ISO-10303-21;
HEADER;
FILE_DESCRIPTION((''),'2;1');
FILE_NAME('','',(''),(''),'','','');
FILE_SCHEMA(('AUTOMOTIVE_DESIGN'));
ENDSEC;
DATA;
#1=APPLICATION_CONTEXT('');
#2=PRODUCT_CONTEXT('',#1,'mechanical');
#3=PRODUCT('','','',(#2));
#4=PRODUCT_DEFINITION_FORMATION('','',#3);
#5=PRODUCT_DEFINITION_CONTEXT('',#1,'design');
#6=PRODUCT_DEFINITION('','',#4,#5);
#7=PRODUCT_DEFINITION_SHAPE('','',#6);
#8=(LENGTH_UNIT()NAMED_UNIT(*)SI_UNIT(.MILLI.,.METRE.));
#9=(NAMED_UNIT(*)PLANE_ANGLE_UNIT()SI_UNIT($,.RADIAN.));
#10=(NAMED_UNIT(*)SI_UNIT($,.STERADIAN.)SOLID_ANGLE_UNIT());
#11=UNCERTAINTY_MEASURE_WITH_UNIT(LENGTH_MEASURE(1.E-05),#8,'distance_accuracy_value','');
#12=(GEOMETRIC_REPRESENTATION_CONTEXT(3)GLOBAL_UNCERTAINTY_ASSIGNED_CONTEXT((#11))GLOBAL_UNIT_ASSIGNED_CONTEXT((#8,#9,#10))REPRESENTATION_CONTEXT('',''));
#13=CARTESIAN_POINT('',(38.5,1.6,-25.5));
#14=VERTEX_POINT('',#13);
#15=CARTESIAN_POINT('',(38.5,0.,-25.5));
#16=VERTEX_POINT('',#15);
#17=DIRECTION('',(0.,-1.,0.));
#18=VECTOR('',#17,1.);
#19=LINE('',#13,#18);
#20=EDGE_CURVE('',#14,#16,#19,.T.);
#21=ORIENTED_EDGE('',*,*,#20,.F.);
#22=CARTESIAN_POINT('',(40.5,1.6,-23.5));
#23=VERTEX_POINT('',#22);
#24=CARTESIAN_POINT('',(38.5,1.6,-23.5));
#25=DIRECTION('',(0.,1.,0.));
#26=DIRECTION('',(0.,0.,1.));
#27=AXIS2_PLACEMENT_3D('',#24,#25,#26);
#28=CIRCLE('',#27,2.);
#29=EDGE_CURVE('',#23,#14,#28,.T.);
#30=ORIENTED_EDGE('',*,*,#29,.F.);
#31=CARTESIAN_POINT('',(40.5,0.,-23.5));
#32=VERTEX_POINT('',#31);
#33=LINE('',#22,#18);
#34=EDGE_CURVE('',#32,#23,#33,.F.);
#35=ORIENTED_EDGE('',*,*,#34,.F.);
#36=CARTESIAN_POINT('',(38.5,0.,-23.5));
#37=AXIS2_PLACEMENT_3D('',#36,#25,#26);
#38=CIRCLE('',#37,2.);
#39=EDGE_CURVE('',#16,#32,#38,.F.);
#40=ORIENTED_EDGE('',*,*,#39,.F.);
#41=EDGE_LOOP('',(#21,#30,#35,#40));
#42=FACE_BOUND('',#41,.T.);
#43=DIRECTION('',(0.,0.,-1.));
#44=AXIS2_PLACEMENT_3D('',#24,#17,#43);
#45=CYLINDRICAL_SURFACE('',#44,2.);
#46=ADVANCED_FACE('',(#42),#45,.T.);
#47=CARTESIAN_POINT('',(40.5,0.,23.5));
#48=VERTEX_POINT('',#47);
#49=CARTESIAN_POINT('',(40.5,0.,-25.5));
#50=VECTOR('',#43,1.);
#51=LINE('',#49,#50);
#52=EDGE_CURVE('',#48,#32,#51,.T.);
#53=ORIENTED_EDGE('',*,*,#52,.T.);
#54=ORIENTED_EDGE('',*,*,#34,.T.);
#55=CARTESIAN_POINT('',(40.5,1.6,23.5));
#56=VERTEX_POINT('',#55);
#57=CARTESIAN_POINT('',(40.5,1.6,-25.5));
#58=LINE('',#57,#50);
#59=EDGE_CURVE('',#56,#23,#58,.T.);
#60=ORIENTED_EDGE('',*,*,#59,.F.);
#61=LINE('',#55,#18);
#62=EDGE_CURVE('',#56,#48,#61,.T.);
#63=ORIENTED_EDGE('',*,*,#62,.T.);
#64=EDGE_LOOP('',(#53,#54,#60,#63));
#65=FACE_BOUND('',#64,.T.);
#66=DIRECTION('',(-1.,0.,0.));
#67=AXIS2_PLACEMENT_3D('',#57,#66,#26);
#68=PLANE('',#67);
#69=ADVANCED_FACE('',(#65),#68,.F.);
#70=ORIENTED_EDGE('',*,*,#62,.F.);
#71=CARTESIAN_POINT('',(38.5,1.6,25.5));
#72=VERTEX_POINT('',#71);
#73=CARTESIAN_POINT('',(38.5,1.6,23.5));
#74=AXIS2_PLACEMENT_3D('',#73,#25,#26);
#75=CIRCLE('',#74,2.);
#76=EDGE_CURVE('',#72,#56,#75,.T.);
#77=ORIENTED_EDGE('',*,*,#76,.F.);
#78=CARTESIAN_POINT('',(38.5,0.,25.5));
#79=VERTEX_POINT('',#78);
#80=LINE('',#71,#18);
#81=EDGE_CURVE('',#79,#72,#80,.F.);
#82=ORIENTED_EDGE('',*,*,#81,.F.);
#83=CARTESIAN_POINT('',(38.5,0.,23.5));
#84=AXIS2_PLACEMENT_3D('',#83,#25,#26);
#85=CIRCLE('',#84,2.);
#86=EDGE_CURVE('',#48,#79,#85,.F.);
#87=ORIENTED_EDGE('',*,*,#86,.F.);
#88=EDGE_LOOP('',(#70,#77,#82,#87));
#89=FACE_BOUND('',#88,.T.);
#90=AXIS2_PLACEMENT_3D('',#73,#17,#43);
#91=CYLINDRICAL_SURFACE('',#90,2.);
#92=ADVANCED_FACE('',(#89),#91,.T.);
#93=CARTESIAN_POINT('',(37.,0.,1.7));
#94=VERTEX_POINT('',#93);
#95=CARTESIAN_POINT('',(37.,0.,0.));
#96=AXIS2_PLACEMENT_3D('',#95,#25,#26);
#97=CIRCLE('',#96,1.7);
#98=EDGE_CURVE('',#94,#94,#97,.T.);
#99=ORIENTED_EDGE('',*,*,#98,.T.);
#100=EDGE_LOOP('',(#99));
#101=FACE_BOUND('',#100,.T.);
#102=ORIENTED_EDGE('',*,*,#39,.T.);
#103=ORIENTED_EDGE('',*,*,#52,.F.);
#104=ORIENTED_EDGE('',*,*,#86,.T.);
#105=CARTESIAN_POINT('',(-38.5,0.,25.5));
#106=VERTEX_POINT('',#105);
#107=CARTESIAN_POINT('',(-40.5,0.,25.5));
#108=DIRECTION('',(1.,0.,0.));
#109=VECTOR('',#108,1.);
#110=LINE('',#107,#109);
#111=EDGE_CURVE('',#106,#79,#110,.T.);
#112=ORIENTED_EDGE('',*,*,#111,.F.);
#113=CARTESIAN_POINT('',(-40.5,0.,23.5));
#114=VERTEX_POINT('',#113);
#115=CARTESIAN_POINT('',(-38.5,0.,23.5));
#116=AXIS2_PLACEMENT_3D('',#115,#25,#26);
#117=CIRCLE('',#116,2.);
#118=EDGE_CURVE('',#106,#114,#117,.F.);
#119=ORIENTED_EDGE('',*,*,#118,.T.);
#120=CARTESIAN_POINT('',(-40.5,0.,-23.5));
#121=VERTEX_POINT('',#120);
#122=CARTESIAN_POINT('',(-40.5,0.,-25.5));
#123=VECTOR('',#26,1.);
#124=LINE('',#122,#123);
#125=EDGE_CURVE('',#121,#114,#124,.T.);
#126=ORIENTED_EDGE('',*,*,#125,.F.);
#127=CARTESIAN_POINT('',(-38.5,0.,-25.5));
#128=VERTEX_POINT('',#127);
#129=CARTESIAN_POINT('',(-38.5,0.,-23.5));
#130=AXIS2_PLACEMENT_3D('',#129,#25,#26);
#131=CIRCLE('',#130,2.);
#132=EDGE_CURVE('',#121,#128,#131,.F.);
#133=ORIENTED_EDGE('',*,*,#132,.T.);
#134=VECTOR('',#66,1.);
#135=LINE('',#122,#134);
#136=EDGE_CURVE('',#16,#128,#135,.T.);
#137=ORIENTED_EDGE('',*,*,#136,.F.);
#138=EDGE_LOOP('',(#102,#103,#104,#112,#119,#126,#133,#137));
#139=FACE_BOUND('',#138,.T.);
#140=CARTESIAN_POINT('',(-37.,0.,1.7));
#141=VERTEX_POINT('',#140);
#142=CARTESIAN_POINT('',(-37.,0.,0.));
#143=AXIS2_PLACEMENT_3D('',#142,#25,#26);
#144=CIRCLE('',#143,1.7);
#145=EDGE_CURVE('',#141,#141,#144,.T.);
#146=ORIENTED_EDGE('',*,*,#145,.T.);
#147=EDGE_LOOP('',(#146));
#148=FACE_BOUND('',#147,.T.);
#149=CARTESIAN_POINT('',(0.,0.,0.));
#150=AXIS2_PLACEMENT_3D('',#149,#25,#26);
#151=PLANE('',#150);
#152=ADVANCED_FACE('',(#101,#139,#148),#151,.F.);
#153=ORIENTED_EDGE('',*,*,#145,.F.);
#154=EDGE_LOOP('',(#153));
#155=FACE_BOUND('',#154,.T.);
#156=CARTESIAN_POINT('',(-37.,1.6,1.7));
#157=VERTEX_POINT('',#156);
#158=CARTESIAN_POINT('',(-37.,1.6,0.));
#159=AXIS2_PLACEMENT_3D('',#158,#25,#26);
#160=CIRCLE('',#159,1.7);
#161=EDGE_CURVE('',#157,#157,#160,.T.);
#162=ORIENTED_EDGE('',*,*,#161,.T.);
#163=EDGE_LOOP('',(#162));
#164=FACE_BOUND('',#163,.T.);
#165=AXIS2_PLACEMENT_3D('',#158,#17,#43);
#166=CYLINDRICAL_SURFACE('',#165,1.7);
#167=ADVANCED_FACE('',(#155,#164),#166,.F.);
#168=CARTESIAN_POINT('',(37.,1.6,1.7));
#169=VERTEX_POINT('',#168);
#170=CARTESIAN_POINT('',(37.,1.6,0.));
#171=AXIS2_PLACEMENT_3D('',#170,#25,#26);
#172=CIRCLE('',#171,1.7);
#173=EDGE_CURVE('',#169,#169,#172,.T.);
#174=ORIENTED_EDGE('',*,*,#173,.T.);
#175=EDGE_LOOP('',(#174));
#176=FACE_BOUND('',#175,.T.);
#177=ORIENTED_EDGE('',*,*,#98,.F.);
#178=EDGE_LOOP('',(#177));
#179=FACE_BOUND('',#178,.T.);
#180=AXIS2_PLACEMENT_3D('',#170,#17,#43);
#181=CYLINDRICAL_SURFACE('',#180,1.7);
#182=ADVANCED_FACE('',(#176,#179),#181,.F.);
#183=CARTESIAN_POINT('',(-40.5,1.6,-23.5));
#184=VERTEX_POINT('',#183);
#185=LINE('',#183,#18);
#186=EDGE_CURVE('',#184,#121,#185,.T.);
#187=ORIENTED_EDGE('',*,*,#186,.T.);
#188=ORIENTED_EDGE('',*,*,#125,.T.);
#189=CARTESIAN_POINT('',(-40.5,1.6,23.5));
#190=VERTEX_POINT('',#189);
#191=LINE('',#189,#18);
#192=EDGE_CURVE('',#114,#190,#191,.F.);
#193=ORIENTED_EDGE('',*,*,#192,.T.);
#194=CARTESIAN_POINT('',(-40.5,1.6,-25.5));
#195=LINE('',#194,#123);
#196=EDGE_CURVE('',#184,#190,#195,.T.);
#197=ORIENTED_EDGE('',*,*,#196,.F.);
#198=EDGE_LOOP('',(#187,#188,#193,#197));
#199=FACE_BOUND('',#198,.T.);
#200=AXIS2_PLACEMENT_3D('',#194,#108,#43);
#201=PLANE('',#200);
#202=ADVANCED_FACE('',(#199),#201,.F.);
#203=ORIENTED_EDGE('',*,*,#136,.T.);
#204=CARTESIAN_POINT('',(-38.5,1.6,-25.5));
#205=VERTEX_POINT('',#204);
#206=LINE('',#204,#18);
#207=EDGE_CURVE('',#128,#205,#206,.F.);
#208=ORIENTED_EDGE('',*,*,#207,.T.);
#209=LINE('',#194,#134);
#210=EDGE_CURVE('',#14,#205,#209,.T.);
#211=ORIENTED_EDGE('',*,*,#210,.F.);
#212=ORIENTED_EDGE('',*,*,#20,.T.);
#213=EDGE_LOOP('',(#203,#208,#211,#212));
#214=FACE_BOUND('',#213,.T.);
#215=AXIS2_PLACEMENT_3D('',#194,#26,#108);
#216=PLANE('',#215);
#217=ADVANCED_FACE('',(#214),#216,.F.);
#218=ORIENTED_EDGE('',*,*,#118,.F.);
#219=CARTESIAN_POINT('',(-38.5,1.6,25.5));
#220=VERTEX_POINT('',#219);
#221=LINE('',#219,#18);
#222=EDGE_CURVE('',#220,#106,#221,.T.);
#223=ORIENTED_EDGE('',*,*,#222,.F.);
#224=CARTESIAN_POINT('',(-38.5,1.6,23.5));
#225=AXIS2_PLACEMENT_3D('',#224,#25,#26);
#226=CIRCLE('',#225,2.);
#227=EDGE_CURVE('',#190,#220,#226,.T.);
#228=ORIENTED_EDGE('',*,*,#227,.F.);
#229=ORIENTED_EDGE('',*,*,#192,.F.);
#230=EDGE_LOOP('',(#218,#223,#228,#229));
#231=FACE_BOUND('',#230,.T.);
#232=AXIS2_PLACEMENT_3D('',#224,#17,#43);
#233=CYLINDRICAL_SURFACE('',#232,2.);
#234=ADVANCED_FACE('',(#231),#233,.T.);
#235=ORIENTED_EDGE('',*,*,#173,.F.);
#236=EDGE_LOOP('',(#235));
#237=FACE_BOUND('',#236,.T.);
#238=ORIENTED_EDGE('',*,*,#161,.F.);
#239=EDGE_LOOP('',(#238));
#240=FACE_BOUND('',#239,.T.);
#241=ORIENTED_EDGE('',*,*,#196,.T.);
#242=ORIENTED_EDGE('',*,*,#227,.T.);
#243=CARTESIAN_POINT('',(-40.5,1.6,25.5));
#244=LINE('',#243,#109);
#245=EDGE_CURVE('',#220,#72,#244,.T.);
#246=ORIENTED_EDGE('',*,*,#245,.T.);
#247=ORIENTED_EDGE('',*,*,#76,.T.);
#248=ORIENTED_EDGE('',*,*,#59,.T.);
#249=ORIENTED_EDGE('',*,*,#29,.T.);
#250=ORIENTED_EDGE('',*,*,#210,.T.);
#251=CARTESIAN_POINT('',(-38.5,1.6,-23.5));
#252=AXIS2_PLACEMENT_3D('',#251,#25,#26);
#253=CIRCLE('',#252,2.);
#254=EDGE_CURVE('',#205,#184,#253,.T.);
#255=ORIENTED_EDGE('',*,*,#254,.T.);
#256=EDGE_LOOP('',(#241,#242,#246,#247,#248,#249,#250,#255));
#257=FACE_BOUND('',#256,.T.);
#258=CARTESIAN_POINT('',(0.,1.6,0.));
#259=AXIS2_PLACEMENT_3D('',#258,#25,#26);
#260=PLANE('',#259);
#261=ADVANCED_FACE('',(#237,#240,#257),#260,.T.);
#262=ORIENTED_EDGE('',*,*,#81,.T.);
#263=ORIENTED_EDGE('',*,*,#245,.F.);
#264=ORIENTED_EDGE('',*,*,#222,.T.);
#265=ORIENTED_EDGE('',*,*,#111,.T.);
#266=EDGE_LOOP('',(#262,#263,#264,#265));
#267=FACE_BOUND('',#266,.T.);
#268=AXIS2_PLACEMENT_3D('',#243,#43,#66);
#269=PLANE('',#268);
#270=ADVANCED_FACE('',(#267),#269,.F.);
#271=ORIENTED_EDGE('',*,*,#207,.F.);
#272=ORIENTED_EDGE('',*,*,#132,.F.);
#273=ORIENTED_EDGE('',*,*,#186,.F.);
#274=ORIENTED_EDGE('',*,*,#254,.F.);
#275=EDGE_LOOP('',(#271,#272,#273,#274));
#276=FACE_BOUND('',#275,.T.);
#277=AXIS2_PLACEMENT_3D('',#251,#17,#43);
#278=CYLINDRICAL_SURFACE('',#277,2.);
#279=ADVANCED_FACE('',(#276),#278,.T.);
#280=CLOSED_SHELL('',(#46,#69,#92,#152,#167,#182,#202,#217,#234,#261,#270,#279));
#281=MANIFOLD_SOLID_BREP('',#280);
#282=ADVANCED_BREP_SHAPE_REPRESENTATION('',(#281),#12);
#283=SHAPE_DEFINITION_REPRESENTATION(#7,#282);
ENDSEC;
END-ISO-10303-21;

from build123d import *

# Parameters (mm, degrees)
SKETCH1_W           = 81
SKETCH1_H           = 51
SKETCH1_R           = 1.7
BOSS_EXTRUDE1_DEPTH = 1.6
FILLET1_R           = 2


with BuildPart() as part:
    # Sketch1 → Boss-Extrude1 (new body)
    with BuildSketch(Plane(origin=(0, 0, 0), x_dir=(1, 0, 0), z_dir=(0, 1, 0))):
        Rectangle(SKETCH1_W, SKETCH1_H)
        with Locations((-37, 0)):
            Circle(SKETCH1_R, mode=Mode.SUBTRACT)
        with Locations((37, 0)):
            Circle(SKETCH1_R, mode=Mode.SUBTRACT)
    extrude(amount=BOSS_EXTRUDE1_DEPTH)

    # Fillet1
    fillet1_edges = [part.edges().sort_by_distance(p)[0] for p in [
        (40.5, 0.8, 25.5),
        (-40.5, 0.8, 25.5),
        (-40.5, 0.8, -25.5),
        (40.5, 0.8, -25.5),
    ]]
    fillet(fillet1_edges, radius=FILLET1_R)


solid = part.part
